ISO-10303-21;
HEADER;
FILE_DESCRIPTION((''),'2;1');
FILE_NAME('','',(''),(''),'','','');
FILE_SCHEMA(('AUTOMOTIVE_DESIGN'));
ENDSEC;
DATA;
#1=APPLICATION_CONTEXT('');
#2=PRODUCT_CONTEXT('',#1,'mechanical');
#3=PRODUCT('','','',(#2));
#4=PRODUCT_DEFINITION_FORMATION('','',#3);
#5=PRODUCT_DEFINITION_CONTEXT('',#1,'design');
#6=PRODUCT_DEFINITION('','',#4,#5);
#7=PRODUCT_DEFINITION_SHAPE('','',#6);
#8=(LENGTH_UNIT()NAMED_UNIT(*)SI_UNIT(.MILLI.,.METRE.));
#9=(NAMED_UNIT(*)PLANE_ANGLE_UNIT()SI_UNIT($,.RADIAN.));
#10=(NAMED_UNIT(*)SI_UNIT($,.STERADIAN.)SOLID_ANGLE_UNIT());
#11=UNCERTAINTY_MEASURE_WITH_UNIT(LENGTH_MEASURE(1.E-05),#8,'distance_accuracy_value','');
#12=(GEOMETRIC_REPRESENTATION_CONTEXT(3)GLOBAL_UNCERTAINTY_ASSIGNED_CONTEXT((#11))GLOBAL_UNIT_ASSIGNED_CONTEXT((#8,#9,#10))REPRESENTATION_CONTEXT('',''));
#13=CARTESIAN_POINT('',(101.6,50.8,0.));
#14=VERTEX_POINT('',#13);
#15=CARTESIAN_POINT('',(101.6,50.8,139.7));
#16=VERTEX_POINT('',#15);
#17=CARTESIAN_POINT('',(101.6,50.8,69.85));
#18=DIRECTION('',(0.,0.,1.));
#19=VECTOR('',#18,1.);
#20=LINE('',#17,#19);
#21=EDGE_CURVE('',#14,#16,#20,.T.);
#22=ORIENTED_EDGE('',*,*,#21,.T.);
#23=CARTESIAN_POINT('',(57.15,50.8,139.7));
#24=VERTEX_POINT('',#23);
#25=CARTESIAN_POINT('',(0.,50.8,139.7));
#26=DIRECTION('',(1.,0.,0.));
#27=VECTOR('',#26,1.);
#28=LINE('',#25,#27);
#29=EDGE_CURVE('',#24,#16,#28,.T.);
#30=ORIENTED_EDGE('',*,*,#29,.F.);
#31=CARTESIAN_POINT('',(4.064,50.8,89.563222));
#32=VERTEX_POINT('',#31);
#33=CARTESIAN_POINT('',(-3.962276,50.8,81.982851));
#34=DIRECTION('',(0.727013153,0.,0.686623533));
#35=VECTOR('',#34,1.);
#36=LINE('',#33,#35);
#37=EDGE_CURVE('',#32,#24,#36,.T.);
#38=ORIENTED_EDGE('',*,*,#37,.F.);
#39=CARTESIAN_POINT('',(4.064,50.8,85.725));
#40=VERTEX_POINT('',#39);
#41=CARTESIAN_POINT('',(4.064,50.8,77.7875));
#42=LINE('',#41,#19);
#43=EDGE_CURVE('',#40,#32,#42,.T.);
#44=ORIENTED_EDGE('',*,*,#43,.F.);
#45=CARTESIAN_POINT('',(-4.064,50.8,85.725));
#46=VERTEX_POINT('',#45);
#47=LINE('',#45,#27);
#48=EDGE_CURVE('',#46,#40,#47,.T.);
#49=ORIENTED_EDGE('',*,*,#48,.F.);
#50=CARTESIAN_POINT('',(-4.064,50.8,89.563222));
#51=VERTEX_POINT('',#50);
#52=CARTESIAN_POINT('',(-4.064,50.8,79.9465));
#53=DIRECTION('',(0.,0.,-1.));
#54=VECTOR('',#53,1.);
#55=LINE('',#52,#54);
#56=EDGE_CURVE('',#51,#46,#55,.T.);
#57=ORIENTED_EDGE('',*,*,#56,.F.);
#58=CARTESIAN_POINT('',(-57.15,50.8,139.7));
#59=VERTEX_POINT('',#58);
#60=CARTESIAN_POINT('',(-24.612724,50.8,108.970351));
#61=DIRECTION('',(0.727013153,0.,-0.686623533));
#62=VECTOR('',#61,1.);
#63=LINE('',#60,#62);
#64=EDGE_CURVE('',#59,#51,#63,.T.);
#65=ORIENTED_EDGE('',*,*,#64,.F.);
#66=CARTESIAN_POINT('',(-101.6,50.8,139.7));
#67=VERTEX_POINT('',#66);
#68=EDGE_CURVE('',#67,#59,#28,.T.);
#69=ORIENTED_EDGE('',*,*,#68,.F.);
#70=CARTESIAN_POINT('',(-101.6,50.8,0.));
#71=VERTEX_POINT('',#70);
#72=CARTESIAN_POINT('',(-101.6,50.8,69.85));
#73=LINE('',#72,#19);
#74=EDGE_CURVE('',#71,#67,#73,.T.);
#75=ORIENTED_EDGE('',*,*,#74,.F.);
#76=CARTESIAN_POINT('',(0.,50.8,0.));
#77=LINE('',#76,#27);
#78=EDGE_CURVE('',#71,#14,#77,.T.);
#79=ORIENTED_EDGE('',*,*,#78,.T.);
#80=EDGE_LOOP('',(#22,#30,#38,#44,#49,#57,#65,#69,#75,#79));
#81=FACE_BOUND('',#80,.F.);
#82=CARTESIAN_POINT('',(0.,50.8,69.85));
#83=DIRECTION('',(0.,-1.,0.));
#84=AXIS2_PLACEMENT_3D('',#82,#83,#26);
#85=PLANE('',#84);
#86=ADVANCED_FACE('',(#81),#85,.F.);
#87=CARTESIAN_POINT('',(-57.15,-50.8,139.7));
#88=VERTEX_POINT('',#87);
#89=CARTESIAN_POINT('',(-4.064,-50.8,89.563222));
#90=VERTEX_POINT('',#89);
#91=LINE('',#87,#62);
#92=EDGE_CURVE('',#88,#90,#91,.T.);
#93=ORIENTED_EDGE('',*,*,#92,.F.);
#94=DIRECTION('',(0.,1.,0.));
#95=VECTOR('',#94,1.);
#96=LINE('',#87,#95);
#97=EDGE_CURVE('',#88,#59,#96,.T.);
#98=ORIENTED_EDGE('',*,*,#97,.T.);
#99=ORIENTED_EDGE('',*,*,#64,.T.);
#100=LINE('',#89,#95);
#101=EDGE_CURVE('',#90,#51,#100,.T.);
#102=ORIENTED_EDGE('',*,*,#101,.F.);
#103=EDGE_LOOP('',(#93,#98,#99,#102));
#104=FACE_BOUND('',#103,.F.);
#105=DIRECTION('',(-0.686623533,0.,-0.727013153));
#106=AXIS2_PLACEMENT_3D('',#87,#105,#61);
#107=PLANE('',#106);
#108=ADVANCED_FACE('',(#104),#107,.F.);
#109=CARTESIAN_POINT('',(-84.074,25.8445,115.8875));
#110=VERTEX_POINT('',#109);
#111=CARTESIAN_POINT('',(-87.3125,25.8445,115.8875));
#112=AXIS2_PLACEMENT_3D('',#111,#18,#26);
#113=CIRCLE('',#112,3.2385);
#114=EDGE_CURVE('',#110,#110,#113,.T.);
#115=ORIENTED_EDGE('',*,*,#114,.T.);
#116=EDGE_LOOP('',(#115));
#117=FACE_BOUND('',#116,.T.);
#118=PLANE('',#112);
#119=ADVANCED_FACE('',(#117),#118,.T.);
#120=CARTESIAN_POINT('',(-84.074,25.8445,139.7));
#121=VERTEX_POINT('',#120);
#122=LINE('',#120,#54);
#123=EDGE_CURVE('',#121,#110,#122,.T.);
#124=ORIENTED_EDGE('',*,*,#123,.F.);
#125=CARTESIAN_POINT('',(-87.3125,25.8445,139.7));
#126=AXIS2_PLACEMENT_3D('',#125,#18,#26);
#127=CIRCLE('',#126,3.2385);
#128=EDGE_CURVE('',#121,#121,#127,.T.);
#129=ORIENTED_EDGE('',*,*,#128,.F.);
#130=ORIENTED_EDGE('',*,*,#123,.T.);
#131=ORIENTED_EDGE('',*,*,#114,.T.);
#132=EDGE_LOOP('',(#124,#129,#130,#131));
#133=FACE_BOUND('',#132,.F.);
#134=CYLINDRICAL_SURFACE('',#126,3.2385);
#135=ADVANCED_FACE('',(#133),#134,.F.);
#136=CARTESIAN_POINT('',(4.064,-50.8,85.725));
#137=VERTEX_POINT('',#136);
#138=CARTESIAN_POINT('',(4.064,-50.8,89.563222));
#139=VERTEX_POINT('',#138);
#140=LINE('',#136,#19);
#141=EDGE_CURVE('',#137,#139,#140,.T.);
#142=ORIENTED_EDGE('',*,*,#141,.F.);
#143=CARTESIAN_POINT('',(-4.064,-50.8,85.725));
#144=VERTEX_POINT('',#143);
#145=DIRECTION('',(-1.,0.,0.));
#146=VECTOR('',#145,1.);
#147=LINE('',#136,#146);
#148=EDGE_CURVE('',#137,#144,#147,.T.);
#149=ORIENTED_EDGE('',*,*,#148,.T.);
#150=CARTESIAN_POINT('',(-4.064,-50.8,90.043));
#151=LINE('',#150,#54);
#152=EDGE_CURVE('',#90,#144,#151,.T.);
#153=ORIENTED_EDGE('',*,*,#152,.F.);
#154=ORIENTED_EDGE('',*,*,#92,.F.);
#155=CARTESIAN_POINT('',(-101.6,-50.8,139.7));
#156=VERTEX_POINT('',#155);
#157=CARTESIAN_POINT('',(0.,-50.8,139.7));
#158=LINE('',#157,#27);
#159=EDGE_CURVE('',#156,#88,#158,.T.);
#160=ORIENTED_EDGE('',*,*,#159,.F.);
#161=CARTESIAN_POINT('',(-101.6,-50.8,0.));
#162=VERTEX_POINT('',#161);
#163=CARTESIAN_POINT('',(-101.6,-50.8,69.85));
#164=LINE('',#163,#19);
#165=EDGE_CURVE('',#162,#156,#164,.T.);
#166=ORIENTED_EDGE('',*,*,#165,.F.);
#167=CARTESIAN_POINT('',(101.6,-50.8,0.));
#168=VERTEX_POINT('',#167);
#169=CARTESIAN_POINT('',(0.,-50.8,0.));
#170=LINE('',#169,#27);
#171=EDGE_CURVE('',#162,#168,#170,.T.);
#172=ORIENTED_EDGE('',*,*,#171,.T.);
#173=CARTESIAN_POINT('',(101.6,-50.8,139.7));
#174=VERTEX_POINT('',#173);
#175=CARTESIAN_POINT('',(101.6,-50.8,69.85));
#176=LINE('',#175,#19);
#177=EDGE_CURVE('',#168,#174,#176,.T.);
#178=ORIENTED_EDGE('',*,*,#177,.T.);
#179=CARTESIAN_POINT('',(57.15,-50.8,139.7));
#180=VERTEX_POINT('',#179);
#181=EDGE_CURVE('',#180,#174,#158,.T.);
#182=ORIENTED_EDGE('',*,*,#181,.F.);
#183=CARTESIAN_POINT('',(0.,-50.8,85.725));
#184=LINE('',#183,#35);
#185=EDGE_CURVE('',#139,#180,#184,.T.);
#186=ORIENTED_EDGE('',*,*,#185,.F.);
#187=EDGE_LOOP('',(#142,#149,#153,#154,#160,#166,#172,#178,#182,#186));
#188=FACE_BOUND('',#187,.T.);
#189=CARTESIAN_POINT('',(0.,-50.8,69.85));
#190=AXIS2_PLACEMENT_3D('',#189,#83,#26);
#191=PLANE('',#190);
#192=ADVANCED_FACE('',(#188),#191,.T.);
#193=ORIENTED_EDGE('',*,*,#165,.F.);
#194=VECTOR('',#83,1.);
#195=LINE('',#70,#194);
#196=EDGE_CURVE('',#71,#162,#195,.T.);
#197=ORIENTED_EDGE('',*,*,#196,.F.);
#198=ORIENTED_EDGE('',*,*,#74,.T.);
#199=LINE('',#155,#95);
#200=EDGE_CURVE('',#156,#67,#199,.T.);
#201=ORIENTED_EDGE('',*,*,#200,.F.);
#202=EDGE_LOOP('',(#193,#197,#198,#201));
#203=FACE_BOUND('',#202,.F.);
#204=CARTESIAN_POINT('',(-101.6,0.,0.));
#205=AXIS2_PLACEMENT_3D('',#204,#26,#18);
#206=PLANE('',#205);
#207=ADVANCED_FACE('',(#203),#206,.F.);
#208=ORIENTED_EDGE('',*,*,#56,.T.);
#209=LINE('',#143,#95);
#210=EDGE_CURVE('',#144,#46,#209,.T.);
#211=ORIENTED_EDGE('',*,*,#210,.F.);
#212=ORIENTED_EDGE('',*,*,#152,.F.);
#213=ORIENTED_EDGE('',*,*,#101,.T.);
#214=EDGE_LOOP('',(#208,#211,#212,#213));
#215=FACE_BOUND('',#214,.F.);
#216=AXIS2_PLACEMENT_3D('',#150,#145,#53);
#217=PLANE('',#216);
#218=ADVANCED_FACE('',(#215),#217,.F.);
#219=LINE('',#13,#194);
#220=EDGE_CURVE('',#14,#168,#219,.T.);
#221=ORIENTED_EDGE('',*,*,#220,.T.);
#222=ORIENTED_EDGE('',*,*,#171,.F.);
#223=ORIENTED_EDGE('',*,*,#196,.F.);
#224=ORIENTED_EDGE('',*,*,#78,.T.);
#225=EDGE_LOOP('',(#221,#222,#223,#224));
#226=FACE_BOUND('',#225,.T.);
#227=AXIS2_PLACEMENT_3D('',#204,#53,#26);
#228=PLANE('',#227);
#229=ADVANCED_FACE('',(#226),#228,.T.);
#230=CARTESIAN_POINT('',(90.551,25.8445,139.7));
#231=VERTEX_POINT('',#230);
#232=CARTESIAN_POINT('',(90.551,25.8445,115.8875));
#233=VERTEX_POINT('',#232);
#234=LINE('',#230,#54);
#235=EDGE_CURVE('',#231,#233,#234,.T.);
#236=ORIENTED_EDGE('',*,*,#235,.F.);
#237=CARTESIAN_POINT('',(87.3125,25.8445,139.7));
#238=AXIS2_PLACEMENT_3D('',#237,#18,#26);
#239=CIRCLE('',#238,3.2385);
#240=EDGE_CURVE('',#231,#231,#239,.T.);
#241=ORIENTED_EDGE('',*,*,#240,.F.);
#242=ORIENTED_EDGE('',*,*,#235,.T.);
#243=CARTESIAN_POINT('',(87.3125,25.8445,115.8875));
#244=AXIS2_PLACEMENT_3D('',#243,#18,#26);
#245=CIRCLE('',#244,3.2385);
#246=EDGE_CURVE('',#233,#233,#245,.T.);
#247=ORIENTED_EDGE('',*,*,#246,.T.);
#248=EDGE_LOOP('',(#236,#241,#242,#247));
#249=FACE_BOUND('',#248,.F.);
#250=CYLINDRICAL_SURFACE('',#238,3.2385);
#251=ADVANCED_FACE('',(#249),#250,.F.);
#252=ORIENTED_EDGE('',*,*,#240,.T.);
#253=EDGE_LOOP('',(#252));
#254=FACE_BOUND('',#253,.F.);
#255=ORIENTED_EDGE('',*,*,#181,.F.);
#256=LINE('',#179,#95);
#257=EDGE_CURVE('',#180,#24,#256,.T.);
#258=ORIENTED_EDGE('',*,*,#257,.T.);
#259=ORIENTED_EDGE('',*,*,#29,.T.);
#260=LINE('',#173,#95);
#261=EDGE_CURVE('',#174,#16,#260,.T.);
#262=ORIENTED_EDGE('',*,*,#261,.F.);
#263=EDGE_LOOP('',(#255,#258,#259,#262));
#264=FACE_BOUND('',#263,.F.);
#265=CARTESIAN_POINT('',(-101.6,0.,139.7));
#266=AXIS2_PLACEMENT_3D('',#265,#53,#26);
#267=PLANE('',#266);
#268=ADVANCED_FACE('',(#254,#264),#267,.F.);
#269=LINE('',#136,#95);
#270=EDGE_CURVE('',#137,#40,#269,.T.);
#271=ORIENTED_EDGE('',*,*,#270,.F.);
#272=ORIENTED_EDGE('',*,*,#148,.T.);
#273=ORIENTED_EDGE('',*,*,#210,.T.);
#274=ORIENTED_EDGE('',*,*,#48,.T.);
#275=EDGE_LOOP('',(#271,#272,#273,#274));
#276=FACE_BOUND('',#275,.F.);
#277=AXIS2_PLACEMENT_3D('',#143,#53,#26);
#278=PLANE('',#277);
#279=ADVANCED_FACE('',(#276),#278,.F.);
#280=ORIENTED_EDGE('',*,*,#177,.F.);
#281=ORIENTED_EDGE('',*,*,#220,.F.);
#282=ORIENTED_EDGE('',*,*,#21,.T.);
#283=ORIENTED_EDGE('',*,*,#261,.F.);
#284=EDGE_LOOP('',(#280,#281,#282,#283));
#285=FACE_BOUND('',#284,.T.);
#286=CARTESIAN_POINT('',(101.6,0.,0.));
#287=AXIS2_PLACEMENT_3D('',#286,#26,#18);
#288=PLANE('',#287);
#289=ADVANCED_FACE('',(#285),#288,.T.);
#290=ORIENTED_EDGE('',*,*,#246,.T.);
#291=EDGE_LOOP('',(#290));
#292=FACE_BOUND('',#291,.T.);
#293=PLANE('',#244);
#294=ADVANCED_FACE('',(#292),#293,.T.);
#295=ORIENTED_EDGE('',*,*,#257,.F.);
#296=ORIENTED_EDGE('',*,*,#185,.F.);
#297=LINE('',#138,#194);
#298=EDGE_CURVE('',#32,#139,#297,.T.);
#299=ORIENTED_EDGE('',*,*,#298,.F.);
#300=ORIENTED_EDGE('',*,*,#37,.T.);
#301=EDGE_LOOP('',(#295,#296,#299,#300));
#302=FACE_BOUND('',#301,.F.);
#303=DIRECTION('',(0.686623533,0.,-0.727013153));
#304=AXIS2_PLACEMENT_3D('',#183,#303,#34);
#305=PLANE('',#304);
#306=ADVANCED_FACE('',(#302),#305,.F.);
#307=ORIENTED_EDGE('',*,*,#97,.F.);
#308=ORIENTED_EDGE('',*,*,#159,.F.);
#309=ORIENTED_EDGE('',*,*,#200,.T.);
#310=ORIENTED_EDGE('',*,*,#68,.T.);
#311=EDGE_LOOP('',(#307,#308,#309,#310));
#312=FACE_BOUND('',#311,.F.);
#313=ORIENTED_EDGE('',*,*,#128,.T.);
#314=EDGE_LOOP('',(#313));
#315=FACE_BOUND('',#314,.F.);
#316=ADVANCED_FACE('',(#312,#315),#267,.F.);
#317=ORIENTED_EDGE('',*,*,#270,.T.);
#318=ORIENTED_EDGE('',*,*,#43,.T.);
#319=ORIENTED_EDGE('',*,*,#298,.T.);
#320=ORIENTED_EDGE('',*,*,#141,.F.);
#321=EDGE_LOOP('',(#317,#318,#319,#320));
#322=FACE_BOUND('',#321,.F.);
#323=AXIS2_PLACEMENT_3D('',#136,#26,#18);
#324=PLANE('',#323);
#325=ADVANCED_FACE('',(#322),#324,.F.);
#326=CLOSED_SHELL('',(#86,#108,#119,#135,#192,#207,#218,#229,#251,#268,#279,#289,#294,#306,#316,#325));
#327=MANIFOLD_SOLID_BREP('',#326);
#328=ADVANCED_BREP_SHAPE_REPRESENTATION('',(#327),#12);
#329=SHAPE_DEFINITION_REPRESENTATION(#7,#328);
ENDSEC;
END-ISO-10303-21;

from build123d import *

# Parameters (mm, degrees)
F0_W     = 203.2
F0_H     = 139.7
F1_DEPTH = 50.8
F3_DEPTH = 101.601
F5_DEPTH = 101.601
F6_R     = 3.2385
F7_DEPTH = 23.8125


with BuildPart() as f1:
    # F0 (on Front) → F1 (new body, symmetric)
    with BuildSketch(Plane.XZ):
        with Locations((0, 69.85)):
            Rectangle(F0_W, F0_H)
    extrude(amount=F1_DEPTH, both=True)

    # F2 (on face) → F3 (cut, through all)
    with BuildSketch(Plane.XZ.offset(50.8)):
        Polygon((57.15, 139.7), (0, 139.7), (0, 85.725), align=None)
        Polygon((0, 85.725), (0, 139.7), (-57.15, 139.7), align=None)
    extrude(amount=-F3_DEPTH, mode=Mode.SUBTRACT)

    # F4 (on face) → F5 (cut, through all)
    with BuildSketch(Plane.XZ.offset(50.8)):
        Polygon((-4.064, 90.043), (-4.064, 85.725), (4.064, 85.725), (4.064, 90.043), (0, 90.043), align=None)
    extrude(amount=-F5_DEPTH, mode=Mode.SUBTRACT)

    # F6 (on face) → F7 (cut)
    with BuildSketch(Plane.XY.offset(139.7)):
        with Locations((-87.3125, 25.8445)):
            Circle(F6_R)
        with Locations((87.3125, 25.8445)):
            Circle(F6_R)
    extrude(amount=-F7_DEPTH, mode=Mode.SUBTRACT)


solid = f1.part
